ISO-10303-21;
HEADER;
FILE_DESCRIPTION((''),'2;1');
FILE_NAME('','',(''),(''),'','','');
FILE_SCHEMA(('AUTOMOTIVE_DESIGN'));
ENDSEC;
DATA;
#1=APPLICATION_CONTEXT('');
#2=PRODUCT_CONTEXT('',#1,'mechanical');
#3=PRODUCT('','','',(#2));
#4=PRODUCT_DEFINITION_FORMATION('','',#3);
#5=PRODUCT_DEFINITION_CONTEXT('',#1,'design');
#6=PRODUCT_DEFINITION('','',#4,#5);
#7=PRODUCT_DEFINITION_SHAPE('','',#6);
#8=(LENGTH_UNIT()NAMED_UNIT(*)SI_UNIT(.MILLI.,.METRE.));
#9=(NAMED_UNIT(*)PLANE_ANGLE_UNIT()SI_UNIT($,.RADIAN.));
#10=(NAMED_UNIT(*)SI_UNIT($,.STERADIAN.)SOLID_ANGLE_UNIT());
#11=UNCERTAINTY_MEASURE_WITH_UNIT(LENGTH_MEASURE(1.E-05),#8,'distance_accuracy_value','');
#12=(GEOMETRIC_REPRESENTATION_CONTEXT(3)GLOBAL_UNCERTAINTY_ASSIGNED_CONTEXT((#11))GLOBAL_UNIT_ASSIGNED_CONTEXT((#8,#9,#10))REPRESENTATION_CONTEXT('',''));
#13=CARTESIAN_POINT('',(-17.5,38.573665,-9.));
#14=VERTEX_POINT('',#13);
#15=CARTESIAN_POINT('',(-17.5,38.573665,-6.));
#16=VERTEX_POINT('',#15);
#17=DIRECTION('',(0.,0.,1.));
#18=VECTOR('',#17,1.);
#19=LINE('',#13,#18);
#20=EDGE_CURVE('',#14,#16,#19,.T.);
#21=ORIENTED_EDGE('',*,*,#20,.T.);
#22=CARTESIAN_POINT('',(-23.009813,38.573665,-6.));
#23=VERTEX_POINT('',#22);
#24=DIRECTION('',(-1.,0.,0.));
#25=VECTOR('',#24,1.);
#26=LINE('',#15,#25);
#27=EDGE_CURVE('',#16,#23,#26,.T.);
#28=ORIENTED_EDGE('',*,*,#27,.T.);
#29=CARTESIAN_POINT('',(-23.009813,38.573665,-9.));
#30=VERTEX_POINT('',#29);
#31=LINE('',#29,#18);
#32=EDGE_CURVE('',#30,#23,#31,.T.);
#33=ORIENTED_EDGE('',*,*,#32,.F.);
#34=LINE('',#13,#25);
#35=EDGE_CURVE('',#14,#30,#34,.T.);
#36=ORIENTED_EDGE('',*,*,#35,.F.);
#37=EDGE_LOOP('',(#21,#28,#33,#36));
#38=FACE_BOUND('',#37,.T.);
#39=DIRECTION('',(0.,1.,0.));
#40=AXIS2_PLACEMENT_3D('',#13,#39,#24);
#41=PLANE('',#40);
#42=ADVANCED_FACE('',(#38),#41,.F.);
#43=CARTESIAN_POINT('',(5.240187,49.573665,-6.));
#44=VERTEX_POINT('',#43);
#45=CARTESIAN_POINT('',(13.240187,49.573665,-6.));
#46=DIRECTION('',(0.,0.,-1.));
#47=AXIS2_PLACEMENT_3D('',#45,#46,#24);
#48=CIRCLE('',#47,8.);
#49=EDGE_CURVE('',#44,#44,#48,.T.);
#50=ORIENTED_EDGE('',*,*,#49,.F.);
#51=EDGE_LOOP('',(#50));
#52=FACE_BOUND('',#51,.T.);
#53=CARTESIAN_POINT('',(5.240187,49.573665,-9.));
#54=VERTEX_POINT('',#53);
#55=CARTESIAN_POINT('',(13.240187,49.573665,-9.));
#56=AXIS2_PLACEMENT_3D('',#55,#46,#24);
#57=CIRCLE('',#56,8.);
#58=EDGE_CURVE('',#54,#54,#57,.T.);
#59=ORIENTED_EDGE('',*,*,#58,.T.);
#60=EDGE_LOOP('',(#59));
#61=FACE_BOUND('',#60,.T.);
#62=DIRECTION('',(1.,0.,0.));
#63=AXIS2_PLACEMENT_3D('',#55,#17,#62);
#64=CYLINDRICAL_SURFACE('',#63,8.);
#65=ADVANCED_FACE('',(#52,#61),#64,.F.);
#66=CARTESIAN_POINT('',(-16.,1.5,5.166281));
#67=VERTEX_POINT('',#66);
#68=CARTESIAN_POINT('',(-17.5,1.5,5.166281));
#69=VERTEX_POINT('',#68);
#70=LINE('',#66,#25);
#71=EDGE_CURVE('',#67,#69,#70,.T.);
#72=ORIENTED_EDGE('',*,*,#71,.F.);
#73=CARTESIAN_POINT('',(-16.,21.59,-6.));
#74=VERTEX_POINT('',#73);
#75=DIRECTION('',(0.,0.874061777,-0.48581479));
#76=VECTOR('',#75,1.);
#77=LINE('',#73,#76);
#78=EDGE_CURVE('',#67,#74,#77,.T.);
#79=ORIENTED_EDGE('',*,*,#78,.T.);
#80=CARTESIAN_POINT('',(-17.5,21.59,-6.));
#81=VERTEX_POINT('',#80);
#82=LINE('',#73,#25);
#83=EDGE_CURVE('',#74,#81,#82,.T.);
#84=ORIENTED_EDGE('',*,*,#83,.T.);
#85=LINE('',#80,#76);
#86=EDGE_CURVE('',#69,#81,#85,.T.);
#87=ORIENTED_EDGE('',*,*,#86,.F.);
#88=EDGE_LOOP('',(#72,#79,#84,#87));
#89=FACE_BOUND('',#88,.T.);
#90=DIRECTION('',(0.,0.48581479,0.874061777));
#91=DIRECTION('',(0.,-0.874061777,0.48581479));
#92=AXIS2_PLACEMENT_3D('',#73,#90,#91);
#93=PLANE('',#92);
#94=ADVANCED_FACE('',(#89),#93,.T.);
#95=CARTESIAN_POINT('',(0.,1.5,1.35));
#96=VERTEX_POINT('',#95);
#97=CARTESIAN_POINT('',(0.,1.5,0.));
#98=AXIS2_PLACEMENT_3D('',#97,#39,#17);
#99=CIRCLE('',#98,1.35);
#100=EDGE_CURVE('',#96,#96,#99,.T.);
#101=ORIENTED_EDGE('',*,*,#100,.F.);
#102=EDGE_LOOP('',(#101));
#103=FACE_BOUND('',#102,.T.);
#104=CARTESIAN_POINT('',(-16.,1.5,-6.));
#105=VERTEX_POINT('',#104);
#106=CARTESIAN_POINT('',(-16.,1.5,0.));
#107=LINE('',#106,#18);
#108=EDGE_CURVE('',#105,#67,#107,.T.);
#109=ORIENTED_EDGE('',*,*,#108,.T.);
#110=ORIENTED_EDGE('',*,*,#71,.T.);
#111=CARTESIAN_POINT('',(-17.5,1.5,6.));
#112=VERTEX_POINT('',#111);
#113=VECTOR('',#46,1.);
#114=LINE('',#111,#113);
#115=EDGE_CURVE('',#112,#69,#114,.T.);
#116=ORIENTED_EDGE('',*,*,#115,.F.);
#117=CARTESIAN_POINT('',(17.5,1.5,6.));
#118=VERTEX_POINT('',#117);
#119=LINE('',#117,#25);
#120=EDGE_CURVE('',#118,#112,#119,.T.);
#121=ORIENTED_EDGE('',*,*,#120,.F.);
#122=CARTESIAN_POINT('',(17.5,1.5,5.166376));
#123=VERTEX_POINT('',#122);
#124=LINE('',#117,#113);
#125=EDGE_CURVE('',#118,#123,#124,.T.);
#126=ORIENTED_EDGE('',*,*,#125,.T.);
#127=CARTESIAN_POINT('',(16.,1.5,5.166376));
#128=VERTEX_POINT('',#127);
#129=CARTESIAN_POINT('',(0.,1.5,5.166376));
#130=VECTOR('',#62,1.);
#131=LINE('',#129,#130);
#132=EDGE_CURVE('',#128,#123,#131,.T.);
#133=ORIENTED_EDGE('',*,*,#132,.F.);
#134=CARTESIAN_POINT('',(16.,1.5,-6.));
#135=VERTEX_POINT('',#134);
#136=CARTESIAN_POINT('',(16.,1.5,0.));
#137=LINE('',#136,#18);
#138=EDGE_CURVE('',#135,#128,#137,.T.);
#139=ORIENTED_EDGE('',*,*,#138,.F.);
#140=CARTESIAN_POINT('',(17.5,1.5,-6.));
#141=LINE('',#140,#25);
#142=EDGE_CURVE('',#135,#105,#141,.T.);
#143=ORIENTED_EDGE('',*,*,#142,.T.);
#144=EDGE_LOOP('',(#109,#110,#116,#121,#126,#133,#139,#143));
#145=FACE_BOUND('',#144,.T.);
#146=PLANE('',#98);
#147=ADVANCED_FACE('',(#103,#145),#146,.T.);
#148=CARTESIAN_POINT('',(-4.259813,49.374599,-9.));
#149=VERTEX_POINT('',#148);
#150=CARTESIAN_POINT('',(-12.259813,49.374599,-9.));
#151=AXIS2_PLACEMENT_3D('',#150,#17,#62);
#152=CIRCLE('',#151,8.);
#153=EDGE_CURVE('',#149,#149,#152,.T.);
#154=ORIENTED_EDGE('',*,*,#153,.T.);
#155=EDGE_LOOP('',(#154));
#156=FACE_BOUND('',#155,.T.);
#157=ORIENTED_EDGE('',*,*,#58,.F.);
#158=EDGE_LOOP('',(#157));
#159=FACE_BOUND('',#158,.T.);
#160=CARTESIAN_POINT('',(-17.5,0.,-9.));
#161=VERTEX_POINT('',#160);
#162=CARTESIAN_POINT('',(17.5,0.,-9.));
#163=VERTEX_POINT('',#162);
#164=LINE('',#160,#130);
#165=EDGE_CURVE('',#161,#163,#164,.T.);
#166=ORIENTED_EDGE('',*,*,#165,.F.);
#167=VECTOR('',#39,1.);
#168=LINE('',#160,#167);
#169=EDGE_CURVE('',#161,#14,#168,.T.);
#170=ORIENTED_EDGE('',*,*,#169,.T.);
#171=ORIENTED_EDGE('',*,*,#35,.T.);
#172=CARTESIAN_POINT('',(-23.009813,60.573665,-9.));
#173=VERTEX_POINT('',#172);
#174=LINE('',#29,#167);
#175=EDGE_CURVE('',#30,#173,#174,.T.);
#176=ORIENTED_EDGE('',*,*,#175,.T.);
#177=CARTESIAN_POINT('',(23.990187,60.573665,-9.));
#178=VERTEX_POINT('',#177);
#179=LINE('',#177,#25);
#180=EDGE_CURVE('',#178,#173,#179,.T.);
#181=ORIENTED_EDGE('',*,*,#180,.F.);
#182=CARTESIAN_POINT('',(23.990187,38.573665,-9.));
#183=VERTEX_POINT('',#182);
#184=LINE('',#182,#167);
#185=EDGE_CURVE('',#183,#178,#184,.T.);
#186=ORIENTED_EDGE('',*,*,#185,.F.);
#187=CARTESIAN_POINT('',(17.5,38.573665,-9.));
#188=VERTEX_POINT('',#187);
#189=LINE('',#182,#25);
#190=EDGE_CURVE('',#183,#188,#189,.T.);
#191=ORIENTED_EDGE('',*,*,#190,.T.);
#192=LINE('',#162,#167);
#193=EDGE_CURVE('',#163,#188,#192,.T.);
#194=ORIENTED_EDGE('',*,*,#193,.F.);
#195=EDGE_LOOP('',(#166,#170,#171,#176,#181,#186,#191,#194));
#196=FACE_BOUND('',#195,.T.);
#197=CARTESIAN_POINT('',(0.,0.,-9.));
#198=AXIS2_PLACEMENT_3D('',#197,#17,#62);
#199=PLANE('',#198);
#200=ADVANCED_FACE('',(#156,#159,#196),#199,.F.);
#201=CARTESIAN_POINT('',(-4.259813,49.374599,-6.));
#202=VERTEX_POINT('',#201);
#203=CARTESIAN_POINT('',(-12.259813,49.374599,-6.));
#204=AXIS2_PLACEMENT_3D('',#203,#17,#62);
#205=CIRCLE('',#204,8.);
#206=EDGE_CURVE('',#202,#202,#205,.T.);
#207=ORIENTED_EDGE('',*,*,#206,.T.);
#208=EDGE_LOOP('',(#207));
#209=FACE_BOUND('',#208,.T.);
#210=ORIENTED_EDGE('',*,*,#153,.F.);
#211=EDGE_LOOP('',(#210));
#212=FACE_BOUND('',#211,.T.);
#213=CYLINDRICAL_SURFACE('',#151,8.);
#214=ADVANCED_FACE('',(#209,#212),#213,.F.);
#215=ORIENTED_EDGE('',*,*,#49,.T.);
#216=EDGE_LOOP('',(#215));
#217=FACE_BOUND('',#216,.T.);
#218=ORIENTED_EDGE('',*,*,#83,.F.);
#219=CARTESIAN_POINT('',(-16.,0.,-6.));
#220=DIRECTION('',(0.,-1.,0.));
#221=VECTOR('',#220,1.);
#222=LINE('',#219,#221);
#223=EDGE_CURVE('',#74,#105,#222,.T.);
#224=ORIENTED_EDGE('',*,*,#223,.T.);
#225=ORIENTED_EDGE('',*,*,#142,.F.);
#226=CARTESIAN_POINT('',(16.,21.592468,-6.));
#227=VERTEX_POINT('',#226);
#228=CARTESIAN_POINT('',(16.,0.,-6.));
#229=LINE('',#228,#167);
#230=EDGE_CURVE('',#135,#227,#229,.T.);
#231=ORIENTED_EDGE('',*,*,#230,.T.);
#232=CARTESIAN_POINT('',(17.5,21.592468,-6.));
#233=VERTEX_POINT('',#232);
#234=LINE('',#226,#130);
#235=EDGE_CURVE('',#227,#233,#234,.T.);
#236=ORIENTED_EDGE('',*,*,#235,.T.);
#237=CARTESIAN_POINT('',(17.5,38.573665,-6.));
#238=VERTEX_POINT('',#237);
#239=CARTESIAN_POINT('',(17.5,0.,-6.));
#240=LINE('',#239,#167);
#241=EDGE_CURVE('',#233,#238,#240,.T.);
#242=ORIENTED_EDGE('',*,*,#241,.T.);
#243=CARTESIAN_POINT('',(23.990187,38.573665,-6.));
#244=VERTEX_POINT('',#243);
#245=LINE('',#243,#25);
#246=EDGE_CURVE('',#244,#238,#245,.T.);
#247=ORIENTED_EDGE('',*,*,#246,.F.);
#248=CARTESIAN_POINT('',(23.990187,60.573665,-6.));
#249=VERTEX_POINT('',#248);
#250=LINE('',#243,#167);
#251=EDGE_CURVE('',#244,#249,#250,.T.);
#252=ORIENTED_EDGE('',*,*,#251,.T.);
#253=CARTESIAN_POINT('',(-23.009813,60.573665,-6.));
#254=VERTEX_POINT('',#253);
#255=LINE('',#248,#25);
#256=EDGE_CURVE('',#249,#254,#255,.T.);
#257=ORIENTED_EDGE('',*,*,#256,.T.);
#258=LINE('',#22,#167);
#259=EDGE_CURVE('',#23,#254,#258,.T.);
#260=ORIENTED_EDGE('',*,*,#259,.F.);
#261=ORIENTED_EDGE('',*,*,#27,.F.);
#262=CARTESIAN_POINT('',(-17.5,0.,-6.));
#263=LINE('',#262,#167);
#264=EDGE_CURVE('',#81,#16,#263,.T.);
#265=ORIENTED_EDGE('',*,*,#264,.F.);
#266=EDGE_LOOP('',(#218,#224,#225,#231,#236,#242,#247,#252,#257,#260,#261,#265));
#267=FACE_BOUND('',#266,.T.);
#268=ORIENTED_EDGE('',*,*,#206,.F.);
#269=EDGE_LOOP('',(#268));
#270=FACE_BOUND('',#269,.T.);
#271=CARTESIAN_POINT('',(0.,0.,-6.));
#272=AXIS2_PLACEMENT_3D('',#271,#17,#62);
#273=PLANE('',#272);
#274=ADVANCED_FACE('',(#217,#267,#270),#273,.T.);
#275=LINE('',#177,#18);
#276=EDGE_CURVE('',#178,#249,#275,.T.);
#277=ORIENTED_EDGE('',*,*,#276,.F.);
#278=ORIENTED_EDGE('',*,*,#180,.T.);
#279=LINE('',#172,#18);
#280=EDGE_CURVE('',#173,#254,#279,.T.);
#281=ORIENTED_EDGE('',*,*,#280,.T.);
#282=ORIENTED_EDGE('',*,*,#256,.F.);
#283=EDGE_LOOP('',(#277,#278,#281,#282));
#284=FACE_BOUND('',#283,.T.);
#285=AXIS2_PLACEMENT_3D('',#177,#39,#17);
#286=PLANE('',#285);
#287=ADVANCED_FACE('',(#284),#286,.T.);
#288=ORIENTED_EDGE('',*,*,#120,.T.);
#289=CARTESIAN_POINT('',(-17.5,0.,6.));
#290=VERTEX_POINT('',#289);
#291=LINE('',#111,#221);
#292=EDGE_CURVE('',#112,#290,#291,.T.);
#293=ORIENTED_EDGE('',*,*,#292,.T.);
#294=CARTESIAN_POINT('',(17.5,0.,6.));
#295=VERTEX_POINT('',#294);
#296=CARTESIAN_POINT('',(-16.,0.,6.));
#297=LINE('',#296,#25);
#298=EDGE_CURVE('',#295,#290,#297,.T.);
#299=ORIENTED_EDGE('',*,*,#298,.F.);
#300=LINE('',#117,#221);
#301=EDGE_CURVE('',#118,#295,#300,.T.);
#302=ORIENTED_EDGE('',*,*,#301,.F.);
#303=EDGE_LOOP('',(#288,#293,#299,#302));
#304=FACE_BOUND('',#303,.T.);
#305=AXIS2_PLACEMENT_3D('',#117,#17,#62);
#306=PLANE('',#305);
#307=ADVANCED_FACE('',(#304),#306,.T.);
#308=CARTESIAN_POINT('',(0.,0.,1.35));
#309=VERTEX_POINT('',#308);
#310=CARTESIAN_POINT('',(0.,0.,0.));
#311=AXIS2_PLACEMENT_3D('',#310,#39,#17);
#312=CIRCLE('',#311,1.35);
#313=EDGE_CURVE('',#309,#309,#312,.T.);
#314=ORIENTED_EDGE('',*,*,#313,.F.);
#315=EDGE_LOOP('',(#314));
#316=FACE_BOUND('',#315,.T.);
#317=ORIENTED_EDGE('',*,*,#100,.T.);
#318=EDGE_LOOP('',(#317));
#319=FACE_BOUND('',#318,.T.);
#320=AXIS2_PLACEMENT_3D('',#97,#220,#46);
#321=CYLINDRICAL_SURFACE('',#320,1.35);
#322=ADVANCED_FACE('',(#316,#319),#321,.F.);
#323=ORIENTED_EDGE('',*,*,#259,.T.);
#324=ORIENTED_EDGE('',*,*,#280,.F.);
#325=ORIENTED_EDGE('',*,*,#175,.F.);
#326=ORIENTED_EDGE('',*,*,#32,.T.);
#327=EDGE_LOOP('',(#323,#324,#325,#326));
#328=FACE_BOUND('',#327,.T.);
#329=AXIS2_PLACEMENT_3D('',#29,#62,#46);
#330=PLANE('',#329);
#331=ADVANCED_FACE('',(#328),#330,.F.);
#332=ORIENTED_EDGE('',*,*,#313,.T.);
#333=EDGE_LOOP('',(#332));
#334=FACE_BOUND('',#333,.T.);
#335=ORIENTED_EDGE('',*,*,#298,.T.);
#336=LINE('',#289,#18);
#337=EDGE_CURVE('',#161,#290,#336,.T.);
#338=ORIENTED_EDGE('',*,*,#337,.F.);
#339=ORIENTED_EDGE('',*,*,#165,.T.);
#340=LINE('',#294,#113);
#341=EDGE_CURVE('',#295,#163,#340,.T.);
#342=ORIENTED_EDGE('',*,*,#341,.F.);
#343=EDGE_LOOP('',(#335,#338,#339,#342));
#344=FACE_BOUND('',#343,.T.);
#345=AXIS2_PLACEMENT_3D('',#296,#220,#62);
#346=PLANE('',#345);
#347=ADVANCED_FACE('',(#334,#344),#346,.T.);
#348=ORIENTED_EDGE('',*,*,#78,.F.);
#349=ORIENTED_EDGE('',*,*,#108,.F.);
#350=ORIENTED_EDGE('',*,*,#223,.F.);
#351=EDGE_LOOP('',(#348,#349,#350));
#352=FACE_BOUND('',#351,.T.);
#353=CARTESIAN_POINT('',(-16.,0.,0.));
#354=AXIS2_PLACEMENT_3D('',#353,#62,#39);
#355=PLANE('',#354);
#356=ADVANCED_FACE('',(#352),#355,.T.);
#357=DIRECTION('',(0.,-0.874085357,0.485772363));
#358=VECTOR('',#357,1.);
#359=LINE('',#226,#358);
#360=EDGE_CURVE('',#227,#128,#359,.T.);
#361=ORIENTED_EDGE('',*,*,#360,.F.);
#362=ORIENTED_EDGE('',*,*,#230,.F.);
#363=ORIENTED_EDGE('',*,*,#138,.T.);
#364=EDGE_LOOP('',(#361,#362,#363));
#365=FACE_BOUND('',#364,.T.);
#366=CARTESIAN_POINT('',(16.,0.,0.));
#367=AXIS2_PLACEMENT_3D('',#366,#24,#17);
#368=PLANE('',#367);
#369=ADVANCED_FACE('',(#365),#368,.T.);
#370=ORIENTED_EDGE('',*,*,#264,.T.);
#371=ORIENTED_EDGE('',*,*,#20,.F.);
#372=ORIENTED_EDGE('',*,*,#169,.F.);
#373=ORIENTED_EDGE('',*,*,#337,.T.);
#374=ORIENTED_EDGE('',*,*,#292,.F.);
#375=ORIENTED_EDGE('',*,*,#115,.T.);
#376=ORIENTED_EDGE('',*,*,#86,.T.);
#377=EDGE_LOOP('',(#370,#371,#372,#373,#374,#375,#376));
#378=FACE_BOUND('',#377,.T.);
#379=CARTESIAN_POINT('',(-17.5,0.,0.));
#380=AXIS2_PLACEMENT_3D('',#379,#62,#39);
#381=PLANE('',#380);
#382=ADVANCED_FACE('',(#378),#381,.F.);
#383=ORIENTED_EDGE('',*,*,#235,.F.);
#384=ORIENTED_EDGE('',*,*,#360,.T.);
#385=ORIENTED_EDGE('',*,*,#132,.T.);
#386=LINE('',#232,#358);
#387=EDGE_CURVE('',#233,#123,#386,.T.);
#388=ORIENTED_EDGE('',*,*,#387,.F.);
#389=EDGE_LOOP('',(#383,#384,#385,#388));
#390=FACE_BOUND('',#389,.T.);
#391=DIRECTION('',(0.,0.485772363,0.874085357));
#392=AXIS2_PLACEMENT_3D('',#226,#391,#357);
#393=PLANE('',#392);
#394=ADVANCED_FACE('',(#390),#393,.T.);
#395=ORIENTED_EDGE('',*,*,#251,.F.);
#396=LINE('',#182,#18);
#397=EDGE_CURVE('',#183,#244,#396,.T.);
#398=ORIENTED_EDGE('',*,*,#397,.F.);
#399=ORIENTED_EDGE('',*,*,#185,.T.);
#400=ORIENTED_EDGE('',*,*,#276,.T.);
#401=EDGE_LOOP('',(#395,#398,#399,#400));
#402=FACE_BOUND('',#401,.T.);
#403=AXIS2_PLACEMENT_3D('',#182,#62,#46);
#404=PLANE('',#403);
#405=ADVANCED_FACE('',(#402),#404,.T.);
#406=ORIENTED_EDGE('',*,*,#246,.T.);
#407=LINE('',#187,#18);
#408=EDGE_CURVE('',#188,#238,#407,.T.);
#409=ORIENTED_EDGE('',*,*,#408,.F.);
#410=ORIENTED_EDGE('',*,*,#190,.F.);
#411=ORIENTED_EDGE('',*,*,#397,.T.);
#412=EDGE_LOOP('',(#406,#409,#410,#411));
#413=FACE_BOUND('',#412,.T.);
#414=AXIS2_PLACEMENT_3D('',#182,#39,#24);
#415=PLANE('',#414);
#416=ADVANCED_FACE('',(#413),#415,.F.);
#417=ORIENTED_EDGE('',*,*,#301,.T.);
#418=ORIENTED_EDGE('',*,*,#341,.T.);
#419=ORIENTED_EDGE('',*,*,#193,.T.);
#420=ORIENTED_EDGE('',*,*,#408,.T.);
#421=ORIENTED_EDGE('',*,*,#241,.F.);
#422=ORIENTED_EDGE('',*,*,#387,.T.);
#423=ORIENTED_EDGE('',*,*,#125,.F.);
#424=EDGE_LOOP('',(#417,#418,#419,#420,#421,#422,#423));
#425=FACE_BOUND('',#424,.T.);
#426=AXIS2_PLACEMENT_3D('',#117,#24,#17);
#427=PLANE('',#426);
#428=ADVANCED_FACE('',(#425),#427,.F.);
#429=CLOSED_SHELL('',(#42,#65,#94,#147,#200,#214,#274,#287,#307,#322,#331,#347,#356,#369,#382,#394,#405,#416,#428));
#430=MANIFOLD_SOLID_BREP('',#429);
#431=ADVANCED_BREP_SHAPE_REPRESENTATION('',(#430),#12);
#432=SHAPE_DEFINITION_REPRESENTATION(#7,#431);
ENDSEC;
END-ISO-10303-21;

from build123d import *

# Parameters (mm, degrees)
BOSS_EXTRUDE3_DEPTH = 1.5
BOSS_EXTRUDE4_DEPTH = 1.5
SKETCH2_W           = 35
SKETCH2_H           = 12
SKETCH2_R           = 1.35
BOSS_EXTRUDE7_DEPTH = 1.5
SKETCH3_R           = 8
BOSS_EXTRUDE8_DEPTH = 3


with BuildPart() as part:
    # Sketch5 → Boss-Extrude3 (new body)
    with BuildSketch(Plane(origin=(-17.5, 0, 0), x_dir=(0, 1, 0), z_dir=(-1, 0, 0))):
        Polygon((21.59, 6), (0, -6), (0, 6), align=None)
    extrude(amount=-BOSS_EXTRUDE3_DEPTH)



with BuildPart() as body_2:
    # Sketch4 → Boss-Extrude4 (new body)
    with BuildSketch(Plane(origin=(17.5, 0, 0), x_dir=(0, 0, -1), z_dir=(1, 0, 0))):
        Polygon((6, 21.592468158), (-6, 0), (6, 0), align=None)
    extrude(amount=-BOSS_EXTRUDE4_DEPTH)


with BuildPart() as part_1:
    add(part.part)

    add(body_2.part)  # Boss-Extrude7 merges body 2
    # Sketch2 → Boss-Extrude7 (add)
    with BuildSketch(Plane(origin=(0, 0, 0), x_dir=(1, 0, 0), z_dir=(0, 1, 0))):
        Rectangle(SKETCH2_W, SKETCH2_H)
        with Locations(Location((0, 0, 0), (0, 0, 270))):
            Circle(SKETCH2_R, mode=Mode.SUBTRACT)
    extrude(amount=BOSS_EXTRUDE7_DEPTH)

    # Sketch3 → Boss-Extrude8 (add)
    with BuildSketch(Plane(origin=(0, 0, -6), x_dir=(-1, 0, 0), z_dir=(0, 0, -1))):
        Polygon((17.5, 0), (-17.5, 0), (-17.5, 38.573665286), (-23.990187259, 38.573665286), (-23.990187259, 60.573665286), (23.009812741, 60.573665286), (23.009812741, 38.573665286), (17.5, 38.573665286), align=None)
        with Locations((-13.240187259, 49.573665286)):
            Circle(SKETCH3_R, mode=Mode.SUBTRACT)
        with Locations(Location((12.259812741, 49.37459891, 0), (0, 0, 180))):
            Circle(SKETCH3_R, mode=Mode.SUBTRACT)
    extrude(amount=BOSS_EXTRUDE8_DEPTH)


solid = part_1.part
